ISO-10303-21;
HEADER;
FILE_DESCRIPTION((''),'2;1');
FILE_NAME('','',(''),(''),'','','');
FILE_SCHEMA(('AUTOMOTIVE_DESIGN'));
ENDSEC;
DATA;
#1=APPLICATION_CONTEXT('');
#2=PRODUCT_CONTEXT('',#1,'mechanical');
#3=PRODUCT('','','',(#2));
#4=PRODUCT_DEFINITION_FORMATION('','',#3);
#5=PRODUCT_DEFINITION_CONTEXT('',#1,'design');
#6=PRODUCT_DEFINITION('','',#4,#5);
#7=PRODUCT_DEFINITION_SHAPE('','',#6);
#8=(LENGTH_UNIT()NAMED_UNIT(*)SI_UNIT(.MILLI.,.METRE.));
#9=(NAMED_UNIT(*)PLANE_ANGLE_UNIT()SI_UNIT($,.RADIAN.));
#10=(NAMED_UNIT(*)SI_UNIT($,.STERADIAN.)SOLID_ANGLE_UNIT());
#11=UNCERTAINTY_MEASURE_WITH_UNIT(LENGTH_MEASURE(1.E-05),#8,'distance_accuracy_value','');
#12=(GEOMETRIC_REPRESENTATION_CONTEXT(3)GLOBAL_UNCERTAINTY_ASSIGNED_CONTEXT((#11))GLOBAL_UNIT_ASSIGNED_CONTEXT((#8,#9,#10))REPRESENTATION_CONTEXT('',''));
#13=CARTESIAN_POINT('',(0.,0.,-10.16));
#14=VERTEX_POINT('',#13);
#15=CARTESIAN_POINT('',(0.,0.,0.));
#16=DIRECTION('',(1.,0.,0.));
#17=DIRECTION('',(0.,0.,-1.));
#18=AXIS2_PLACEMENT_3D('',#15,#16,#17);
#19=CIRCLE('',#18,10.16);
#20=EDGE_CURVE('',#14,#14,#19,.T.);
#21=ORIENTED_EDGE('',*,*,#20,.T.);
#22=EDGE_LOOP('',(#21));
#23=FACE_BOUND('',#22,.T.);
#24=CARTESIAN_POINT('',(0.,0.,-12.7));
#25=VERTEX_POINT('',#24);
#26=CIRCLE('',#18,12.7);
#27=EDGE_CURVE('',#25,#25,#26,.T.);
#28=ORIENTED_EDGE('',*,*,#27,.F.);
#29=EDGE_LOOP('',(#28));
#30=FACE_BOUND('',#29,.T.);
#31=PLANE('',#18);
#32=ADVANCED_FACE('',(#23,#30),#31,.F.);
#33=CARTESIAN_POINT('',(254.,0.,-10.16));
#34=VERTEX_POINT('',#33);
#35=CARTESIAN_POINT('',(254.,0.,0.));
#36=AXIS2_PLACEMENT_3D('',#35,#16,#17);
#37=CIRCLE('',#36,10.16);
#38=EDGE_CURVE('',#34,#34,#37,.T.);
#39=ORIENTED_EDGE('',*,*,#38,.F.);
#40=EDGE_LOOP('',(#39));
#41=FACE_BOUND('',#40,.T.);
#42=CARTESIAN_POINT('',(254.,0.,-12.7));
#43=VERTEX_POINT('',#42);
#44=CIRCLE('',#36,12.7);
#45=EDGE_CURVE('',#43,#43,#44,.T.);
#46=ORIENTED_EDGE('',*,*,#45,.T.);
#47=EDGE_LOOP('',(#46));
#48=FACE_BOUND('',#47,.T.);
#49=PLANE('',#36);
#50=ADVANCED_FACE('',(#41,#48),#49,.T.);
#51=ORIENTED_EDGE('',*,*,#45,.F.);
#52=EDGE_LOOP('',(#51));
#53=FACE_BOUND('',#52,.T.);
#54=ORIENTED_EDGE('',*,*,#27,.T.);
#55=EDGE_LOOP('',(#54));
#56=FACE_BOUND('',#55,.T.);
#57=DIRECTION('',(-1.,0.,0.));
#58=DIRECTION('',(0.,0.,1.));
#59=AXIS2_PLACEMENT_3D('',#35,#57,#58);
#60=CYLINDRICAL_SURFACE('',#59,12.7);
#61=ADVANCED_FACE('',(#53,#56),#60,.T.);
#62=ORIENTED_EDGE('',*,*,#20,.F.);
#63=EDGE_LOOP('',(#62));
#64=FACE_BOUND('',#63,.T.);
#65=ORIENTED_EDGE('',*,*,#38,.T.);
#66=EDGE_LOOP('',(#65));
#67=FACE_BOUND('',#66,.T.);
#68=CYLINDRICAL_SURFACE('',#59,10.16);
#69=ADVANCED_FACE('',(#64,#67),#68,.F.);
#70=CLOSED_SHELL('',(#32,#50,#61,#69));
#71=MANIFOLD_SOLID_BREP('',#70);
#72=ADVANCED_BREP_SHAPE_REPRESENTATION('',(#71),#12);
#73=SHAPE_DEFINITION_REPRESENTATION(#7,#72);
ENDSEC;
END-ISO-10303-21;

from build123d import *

# Parameters (mm, degrees)
SKETCH11_R            = 12.7
SKETCH11_R_2          = 10.16
TUBING_TUBING_1_DEPTH = 254


with BuildPart() as part:
    # Sketch11 → Tubing TUBING(1) (new body)
    with BuildSketch(Plane.YZ):
        Circle(SKETCH11_R)
        Circle(SKETCH11_R_2, mode=Mode.SUBTRACT)
    extrude(amount=TUBING_TUBING_1_DEPTH)


solid = part.part
